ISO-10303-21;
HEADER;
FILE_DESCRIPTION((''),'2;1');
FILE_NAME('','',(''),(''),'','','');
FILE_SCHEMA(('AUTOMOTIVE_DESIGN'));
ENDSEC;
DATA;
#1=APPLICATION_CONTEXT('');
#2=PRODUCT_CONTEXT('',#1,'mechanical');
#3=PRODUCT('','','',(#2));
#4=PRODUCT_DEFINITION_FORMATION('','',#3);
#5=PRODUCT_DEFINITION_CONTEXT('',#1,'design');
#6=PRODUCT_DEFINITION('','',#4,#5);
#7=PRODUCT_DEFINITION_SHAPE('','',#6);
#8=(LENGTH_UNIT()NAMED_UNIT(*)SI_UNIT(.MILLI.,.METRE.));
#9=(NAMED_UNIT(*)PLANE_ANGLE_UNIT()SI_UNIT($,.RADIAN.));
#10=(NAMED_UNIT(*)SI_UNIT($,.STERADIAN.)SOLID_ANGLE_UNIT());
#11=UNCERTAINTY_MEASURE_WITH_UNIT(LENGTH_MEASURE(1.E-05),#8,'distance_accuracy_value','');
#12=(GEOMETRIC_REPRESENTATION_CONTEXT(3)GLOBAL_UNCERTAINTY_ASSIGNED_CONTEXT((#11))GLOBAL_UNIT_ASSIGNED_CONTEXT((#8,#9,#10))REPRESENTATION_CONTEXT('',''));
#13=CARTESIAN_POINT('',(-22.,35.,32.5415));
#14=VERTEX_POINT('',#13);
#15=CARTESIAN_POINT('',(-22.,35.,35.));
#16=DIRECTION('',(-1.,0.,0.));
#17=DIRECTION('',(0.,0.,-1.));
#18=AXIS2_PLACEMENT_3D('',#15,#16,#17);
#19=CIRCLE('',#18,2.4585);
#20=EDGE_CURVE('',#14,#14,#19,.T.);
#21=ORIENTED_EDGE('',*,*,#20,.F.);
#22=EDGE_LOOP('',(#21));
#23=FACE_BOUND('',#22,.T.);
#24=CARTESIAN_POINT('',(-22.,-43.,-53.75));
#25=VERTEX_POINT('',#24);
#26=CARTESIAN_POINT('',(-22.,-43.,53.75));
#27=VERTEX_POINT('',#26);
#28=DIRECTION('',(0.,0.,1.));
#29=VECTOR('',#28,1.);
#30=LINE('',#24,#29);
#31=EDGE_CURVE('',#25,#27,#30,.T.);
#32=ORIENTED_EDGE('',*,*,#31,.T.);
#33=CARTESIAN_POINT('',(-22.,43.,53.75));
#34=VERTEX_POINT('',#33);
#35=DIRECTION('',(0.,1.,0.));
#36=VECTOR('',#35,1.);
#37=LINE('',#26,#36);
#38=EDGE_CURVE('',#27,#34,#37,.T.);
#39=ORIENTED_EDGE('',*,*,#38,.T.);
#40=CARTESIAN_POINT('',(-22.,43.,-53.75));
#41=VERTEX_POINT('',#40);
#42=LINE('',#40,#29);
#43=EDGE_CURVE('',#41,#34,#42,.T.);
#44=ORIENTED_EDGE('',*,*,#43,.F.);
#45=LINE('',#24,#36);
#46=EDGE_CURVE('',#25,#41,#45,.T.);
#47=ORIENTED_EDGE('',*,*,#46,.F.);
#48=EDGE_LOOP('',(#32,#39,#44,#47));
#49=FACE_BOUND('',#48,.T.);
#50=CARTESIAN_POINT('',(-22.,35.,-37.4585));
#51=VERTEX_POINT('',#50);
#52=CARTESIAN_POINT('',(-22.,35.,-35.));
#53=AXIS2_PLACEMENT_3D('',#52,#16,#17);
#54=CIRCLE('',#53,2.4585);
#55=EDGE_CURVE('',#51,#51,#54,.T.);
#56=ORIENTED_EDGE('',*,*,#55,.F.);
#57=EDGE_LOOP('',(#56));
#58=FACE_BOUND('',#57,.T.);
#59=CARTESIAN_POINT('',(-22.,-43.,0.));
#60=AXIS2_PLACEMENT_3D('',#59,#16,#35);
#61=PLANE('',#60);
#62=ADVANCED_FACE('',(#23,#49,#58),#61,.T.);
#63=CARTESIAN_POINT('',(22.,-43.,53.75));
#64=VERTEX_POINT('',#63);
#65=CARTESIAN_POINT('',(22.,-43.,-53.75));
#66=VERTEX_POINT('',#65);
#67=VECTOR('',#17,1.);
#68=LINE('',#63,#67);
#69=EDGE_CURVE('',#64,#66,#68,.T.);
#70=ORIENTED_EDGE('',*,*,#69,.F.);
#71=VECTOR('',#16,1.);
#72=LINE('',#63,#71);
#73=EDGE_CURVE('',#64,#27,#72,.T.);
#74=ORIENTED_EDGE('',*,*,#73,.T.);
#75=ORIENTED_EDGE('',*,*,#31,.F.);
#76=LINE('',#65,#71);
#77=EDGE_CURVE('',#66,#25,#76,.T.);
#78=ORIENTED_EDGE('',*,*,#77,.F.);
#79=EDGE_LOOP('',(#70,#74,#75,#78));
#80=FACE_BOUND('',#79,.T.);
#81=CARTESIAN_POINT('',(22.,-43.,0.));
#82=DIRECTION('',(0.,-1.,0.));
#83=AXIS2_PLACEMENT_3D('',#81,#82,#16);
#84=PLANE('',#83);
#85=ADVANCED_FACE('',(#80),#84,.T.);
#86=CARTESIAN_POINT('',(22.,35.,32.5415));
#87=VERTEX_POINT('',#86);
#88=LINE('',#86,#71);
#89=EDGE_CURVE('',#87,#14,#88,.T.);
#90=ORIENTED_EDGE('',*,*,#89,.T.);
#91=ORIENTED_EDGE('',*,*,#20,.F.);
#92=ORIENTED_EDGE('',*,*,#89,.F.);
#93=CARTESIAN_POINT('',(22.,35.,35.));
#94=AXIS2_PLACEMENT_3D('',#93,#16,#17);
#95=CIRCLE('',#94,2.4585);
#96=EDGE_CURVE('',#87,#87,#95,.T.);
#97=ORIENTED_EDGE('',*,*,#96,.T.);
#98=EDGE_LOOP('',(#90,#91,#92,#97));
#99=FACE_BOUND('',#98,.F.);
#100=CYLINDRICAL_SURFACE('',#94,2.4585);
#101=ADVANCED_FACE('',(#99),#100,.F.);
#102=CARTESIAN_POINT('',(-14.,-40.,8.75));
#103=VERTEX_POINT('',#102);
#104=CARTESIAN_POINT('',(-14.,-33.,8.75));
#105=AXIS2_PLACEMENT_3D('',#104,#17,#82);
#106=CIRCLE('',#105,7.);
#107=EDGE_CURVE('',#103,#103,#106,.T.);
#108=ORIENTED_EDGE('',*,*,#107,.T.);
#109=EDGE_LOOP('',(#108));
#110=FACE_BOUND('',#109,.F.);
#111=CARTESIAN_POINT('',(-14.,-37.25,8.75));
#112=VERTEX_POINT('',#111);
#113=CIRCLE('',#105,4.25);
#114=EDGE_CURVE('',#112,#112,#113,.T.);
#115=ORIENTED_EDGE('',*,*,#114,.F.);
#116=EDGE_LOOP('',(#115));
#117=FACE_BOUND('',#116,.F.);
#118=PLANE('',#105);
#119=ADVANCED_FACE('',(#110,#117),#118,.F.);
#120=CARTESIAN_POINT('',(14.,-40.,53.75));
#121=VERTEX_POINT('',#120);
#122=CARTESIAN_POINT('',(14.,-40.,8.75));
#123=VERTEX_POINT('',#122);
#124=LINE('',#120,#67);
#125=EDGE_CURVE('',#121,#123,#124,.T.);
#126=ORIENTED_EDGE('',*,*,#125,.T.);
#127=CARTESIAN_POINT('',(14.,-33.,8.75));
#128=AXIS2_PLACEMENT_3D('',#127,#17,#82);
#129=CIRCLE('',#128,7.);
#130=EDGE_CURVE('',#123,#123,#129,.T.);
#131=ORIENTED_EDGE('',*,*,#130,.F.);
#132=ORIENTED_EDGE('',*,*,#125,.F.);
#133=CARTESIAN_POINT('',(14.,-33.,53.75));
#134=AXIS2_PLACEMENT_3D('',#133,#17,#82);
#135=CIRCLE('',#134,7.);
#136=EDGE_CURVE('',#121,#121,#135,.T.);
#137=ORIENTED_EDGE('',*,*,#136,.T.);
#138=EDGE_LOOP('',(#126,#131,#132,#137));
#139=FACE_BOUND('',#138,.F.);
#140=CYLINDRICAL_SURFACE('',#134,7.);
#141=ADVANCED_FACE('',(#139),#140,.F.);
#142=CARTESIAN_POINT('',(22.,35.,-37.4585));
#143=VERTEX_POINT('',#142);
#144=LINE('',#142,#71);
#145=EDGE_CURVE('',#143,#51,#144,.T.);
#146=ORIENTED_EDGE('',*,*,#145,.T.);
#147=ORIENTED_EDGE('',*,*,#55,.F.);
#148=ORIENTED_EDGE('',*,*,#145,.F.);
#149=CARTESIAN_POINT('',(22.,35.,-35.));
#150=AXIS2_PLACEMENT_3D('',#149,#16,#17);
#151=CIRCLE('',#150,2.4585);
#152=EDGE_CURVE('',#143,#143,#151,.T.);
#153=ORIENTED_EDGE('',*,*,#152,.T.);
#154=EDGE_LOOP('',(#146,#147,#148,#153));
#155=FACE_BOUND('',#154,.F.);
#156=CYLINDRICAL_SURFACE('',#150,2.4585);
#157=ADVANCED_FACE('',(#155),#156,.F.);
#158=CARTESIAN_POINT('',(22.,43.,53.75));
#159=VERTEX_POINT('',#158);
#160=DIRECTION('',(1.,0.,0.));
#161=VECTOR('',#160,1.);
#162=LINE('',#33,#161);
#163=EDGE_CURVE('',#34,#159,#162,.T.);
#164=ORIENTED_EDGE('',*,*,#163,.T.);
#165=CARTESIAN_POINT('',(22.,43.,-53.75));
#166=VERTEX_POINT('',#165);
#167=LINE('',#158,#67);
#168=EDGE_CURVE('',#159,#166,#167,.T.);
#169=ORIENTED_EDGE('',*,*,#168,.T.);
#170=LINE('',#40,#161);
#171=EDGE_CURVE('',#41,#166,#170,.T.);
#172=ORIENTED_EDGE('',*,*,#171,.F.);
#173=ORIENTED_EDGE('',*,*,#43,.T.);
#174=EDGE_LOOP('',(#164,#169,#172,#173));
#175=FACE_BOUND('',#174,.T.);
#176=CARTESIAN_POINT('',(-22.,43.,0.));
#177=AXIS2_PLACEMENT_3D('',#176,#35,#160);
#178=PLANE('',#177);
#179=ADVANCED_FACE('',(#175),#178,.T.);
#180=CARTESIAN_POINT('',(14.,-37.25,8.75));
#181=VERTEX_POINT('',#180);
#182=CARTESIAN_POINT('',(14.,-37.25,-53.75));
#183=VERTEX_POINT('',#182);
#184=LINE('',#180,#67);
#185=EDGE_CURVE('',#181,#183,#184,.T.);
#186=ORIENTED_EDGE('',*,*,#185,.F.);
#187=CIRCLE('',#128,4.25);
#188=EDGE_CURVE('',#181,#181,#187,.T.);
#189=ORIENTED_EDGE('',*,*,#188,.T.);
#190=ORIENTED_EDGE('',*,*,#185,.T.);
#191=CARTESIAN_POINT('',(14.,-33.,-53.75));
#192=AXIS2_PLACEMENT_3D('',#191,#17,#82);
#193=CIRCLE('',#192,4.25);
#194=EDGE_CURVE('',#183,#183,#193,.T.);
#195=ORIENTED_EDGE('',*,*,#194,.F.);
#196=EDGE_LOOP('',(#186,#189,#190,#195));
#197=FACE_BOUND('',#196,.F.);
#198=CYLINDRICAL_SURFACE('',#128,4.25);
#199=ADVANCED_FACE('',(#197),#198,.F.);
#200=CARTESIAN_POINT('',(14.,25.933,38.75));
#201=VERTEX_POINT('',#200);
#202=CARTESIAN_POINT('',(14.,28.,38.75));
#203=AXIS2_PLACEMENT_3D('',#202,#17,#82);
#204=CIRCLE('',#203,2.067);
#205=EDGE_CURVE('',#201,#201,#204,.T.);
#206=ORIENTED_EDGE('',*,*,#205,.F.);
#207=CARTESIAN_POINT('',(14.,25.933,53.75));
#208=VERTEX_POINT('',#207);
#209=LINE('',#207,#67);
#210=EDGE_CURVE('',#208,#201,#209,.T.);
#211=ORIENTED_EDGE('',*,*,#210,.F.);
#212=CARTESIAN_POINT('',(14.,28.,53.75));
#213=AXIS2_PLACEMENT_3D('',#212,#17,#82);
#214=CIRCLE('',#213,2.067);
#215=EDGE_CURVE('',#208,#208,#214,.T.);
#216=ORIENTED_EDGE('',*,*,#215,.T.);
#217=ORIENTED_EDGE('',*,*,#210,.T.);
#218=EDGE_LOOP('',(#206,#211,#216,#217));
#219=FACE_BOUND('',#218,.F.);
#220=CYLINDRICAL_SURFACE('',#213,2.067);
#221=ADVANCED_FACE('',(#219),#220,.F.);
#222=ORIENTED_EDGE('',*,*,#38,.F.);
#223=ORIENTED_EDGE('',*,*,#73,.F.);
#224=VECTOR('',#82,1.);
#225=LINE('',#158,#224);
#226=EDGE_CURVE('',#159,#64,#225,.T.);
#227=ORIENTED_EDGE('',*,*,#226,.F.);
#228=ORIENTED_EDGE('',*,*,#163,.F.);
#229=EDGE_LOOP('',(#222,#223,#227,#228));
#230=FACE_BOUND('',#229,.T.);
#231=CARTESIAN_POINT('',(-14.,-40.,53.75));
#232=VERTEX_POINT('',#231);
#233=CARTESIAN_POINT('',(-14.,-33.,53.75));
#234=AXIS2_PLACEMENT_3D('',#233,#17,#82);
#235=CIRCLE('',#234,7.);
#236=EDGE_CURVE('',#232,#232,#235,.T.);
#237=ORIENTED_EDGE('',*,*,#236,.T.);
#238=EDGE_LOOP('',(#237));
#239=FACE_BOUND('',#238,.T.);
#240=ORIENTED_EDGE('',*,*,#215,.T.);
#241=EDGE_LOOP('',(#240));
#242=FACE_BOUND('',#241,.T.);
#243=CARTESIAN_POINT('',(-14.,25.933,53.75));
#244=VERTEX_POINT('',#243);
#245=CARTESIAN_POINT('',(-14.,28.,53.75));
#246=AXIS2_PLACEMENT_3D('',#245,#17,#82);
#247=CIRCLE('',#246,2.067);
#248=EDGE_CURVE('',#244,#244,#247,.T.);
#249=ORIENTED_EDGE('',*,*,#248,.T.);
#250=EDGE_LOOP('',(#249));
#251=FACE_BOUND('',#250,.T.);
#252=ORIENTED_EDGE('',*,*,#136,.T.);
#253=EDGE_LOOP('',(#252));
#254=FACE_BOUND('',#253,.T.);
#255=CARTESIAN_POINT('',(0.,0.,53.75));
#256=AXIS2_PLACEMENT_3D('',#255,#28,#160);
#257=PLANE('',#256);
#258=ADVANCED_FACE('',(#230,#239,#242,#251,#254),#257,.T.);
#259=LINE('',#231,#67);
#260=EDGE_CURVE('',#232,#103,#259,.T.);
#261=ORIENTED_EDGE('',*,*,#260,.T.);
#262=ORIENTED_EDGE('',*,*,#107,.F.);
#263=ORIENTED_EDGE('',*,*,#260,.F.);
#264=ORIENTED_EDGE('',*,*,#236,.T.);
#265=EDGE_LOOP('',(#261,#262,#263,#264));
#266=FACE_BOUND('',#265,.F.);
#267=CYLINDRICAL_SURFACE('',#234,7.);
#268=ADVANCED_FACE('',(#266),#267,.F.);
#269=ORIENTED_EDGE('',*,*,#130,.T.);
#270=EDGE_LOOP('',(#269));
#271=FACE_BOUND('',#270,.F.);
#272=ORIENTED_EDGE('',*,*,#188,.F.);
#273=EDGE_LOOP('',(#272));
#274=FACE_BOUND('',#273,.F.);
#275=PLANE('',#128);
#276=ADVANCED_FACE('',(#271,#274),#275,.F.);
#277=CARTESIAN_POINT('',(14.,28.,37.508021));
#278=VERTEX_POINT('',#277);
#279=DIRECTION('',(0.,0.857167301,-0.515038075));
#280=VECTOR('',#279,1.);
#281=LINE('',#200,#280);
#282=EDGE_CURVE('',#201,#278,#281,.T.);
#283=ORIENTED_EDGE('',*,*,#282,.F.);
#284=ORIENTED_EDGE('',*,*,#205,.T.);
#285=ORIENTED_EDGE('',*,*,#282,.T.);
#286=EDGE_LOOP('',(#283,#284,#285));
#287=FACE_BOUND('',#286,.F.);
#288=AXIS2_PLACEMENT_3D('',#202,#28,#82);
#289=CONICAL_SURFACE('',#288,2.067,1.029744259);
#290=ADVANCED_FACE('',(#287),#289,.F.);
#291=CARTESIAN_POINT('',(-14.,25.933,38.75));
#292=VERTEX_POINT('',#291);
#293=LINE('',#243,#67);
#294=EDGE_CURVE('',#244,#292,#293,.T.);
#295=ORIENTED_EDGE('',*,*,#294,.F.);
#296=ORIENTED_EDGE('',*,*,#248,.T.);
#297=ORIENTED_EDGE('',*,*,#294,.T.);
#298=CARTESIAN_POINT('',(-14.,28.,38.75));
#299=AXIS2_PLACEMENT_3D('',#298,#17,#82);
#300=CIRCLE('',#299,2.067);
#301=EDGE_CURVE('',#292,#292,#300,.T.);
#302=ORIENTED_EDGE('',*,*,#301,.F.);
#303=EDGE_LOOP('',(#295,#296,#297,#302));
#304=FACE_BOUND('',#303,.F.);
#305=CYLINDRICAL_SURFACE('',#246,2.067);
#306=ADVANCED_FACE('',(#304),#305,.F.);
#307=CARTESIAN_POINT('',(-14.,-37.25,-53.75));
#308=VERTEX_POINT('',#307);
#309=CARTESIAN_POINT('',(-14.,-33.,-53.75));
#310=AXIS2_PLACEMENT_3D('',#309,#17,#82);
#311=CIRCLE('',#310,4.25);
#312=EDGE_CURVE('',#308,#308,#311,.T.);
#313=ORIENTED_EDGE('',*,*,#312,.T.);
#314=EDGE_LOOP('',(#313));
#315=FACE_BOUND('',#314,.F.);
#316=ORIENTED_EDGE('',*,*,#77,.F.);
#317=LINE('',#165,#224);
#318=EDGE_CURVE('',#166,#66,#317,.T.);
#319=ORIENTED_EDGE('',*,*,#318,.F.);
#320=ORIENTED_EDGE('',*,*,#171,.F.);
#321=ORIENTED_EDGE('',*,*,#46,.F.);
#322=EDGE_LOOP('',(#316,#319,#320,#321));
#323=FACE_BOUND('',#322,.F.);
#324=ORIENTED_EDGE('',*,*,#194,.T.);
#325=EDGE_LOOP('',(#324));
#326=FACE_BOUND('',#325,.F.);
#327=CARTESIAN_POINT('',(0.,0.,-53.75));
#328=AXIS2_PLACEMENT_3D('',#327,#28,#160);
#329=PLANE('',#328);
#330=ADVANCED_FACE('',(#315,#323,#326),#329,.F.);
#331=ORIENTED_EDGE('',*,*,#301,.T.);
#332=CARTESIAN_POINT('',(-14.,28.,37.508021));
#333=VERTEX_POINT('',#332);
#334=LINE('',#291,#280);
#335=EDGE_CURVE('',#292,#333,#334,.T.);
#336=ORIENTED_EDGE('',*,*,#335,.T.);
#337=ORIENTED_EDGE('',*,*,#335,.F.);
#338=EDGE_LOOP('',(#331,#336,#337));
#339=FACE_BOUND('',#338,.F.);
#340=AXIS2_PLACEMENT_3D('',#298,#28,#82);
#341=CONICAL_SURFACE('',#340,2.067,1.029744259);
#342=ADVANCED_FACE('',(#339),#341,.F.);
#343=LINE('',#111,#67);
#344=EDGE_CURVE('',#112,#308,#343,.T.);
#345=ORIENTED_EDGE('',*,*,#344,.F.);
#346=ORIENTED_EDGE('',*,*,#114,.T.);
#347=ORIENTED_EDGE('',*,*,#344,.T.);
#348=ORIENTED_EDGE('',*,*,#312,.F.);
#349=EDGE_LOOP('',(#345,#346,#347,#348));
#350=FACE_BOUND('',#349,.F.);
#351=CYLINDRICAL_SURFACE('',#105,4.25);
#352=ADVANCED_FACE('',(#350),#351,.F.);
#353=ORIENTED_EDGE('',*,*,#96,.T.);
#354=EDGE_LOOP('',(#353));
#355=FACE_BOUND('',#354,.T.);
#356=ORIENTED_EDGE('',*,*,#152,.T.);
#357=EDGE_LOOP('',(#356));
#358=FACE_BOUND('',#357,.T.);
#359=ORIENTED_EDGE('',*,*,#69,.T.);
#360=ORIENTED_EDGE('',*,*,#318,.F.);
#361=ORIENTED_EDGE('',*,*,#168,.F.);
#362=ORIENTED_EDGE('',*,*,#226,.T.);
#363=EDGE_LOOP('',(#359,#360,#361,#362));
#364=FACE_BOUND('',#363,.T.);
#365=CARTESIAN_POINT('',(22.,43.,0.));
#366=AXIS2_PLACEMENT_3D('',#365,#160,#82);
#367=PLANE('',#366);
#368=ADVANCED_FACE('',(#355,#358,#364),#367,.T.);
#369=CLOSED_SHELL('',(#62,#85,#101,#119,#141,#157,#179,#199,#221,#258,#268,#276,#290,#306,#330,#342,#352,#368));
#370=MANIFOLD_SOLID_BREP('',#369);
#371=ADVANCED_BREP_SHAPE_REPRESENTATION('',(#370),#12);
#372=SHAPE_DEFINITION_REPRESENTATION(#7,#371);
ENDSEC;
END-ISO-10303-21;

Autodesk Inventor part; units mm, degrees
ref_plane "YZ Plane" through (0, 0, 0) normal (1, 0, 0) x (0, 1, 0)
ref_plane "XZ Plane" through (0, 0, 0) normal (0, 1, 0) x (-1, 0, 0)
ref_plane "XY Plane" through (0, 0, 0) normal (0, 0, 1) x (1, 0, 0)
sketch "Sketch5" plane through (0, 0, 0) normal (0, 0, 1) x (1, 0, 0)
  line L0 (-22, 43) -> (22, 43)
  line L1 (22, 43) -> (22, -43)
  line L2 (22, -43) -> (-22, -43)
  line L3 (-22, -43) -> (-22, 43)
  point P0 (0, 0)
  point P1 (22, 0)
  point P2 (0, 43)
  dimension "d8" = 86
  dimension "d9" = 44
extrude "Extrusion5" add sketch "Sketch5" along normal mid plane 107.5
sketch "Sketch6" plane through (0, 0, 53.75) normal (0, 0, 1) x (1, 0, 0)
  line L0 (22, 43) -> (-22, 43) projected
  circle A0 centre (14, -33) radius 4
  circle A1 centre (-14, -33) radius 4
  circle A2 centre (-14, -33) radius 8.5
  point P0 (0, 0)
  dimension "d12" = 76
  dimension "d13" = 28
  dimension "d14" = 14
  dimension "d15" = 8
  dimension "d17" = 17
hole "Hole1" at (-14, -33, 53.75) at (14, -33, 53.75) direction (0, 0, -1) diameter 8.5 end through all counterbore diameter 14 counterbore depth 45 clearance for "Socket Head Cap Screw DIN EN ISO 4762" size "M8" standard "DIN"
sketch "Sketch7" plane through (22, -43, 53.75) normal (1, 0, 0) x (0, 0, -1)
  line L0 (0, 86) -> (107.5, 86) projected
  circle A0 centre (18.75, 78) radius 3
  circle A1 centre (88.75, 78) radius 3
  point P0 (53.75, 43)
  dimension "d25" = 8
  dimension "d26" = 70
  dimension "d27" = 35
  dimension "d28" = 6
  dimension "d45" = 107.5
  dimension "d46" = 18.75
hole "Hole2" at (22, 35, 35) at (22, 35, -35) direction (-1, 0, 0) diameter 4.917 end through all thread size "M6x1" class "6H" standard "ANSI Metric M Profile"
sketch "Sketch8" plane through (0, 0, 53.75) normal (0, 0, 1) x (1, 0, 0)
  circle A0 centre (-14, -33) radius 7 projected
  circle A1 centre (14, -33) radius 7 projected
  line L0 (22, 43) -> (-22, 43) projected
  circle A2 centre (14, 28) radius 4
  circle A3 centre (-14, 28) radius 4
  point P0 (0, 0)
  dimension "d36" = 15
  dimension "d37" = 8
hole "Hole3" at (-14, 28, 53.75) at (14, 28, 53.75) direction (0, 0, -1) diameter 4.134 depth 15 tip angle 118 thread size "M5x0.8" class "6H" standard "ANSI Metric M Profile"
equation "\"d14\" = 0.5 * d13"
equation "\"d27\" = 0.5 * d26"
properties part number "BC-10015" material "Alumínio 7075"
